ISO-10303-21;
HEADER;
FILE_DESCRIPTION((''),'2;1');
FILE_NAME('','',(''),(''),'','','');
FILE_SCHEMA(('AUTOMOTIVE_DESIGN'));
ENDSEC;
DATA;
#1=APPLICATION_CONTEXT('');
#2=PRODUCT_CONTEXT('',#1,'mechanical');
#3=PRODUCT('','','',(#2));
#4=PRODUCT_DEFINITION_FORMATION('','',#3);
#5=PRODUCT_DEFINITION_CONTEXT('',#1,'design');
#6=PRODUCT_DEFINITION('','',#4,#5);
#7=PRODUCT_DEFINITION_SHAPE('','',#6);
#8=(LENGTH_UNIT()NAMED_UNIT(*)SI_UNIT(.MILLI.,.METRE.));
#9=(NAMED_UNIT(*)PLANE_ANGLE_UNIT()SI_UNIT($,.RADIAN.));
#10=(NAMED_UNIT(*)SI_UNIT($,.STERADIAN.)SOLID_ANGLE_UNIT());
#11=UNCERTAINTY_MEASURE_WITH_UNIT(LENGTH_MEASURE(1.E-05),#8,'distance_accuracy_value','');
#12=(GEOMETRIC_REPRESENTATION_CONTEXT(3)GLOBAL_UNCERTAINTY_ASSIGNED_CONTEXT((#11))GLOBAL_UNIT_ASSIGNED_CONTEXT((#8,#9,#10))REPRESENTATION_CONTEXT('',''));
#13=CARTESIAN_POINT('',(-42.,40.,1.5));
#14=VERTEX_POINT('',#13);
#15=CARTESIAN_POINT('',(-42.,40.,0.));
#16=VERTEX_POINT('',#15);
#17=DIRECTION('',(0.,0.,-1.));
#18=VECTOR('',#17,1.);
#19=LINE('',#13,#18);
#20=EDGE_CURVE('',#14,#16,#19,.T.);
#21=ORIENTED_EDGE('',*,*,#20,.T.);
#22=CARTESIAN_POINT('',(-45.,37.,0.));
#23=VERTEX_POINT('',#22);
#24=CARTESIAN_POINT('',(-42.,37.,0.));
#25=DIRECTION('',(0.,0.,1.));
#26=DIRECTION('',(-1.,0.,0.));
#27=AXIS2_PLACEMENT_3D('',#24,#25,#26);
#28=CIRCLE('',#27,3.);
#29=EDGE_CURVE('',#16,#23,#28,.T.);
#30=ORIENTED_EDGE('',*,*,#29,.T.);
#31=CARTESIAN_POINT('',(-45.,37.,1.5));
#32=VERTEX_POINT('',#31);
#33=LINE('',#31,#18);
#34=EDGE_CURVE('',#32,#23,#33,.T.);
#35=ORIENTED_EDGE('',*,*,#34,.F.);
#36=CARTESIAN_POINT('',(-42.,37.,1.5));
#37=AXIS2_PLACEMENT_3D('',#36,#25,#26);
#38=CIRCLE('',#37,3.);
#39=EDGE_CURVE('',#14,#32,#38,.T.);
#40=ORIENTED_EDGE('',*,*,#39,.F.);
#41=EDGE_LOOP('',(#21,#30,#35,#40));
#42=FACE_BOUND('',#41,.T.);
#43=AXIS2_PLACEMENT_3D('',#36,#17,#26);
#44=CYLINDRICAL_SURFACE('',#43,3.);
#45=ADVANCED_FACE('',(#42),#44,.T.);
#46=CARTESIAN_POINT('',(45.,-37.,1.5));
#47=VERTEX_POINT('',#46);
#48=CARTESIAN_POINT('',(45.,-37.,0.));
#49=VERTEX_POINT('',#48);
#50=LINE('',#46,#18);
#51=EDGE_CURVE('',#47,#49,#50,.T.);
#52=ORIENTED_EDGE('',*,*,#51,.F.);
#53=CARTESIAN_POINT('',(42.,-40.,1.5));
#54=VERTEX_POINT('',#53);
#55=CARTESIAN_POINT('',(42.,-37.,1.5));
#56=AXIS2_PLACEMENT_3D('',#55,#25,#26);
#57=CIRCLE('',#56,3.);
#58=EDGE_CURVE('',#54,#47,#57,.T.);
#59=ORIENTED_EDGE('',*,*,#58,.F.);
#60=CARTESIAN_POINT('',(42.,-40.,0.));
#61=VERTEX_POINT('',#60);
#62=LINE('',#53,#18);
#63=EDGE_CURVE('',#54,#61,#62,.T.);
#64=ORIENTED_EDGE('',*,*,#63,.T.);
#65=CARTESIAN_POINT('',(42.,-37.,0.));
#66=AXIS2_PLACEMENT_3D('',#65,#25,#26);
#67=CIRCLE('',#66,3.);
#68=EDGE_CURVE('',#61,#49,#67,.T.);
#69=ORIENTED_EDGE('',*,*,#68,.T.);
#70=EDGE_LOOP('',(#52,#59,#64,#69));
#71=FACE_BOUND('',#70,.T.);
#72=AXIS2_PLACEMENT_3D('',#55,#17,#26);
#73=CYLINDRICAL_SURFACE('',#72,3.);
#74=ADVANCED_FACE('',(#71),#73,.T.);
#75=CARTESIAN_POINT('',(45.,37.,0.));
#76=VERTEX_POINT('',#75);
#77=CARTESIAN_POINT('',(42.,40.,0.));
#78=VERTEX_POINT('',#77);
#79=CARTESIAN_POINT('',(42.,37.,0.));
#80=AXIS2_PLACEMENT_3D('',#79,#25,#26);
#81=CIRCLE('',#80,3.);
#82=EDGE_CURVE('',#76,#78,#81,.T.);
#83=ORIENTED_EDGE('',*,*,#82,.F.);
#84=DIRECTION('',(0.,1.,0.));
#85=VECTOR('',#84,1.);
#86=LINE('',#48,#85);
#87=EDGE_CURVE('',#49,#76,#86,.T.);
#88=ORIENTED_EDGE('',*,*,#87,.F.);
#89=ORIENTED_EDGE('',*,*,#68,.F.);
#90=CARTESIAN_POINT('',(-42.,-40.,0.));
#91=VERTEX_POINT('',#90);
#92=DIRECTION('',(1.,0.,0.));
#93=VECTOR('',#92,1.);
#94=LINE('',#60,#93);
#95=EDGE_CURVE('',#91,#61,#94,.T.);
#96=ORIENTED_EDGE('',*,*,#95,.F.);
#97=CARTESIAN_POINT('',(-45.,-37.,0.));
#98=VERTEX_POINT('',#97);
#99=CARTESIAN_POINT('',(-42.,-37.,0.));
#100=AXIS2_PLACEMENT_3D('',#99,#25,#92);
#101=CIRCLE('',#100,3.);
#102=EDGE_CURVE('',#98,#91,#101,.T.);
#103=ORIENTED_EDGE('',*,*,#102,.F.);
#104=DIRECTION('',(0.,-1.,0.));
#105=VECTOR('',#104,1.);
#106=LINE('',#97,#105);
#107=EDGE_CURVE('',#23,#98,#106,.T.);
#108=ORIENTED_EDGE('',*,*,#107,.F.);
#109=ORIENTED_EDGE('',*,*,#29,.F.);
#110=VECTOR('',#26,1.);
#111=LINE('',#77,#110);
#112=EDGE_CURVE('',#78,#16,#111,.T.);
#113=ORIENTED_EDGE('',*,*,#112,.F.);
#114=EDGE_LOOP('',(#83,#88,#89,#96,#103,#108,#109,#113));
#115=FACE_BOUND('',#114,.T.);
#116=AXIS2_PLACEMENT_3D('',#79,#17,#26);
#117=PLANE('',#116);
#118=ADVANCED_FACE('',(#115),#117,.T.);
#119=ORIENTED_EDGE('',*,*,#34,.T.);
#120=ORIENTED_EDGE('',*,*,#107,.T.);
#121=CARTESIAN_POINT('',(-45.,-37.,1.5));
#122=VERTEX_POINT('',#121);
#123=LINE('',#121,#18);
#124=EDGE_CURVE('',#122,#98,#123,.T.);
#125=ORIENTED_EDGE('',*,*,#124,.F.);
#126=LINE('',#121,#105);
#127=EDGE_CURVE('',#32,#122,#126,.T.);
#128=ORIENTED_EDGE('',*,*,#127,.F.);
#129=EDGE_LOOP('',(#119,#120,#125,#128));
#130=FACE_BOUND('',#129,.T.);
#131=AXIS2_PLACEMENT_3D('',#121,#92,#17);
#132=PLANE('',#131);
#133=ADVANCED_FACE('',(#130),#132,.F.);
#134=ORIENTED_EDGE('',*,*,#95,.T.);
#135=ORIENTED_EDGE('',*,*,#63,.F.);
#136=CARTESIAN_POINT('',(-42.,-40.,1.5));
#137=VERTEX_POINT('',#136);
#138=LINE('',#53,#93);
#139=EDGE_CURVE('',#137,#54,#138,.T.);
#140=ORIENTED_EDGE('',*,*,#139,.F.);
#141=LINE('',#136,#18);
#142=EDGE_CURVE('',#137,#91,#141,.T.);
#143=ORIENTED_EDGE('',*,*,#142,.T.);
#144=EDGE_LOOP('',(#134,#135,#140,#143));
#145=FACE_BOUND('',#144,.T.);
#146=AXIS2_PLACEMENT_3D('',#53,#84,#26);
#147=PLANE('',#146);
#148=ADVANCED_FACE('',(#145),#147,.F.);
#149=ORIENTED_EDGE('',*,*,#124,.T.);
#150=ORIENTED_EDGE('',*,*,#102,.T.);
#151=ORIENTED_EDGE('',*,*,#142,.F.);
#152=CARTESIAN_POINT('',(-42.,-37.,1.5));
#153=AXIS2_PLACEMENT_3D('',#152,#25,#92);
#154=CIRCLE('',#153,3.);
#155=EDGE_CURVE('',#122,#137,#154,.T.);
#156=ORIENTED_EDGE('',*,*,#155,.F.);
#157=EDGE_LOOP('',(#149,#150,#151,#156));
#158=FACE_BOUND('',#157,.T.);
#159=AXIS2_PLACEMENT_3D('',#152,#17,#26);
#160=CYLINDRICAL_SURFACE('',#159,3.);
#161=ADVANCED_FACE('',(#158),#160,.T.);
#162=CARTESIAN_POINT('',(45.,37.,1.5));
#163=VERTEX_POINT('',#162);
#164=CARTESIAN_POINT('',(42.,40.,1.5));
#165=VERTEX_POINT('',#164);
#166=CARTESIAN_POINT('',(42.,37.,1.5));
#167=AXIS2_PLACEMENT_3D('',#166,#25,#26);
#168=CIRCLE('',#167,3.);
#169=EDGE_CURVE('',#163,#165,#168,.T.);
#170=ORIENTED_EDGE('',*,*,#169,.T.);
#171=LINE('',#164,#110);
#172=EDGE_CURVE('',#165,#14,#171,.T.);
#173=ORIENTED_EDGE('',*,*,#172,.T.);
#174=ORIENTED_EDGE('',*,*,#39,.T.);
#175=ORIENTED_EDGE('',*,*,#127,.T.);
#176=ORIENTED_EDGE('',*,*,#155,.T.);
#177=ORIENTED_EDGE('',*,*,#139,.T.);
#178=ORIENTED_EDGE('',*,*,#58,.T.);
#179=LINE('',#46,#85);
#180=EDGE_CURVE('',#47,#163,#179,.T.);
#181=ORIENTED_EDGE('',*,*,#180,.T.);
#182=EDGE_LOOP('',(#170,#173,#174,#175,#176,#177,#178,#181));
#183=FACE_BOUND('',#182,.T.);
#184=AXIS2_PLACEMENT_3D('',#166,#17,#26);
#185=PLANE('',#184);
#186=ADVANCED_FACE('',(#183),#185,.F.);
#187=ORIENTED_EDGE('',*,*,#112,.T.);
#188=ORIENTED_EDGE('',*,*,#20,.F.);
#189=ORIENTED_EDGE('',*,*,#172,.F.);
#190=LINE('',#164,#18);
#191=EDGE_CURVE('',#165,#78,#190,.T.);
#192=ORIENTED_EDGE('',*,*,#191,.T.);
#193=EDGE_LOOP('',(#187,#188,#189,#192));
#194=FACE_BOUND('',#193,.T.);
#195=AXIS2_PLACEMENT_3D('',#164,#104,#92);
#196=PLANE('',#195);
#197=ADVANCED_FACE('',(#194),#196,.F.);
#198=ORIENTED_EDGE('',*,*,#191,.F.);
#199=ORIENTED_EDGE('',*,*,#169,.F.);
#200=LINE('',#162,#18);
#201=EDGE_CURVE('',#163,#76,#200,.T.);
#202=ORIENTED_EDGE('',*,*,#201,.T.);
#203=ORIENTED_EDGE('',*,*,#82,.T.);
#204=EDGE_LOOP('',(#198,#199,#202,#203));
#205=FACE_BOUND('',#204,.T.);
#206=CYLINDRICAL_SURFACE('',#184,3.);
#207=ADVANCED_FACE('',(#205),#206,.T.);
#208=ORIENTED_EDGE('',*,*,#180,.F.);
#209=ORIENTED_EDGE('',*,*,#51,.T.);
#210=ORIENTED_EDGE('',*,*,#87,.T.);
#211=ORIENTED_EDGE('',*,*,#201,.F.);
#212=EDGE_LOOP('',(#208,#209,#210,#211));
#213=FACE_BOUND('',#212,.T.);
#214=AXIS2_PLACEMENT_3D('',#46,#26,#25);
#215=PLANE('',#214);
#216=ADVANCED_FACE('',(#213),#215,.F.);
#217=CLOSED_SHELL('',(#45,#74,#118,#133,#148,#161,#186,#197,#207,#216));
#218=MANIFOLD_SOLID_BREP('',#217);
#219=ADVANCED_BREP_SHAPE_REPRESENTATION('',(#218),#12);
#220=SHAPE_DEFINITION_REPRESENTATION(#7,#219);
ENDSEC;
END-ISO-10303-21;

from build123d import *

# Parameters (mm, degrees)
EXTRUDE_1_DEPTH = 1.5


with BuildPart() as part:
    # 草图1 → 凸台-拉伸1 (new body)
    with BuildSketch(Plane.XY):
        with BuildLine():
            Line((42, -40), (-42, -40))
            ThreePointArc((-42, -40), (-44.121320344, -39.121320344), (-45, -37))
            Line((-45, -37), (-45, 37))
            ThreePointArc((-45, 37), (-44.121320344, 39.121320344), (-42, 40))
            Line((-42, 40), (42, 40))
            ThreePointArc((42, 40), (44.121320344, 39.121320344), (45, 37))
            Line((45, 37), (45, -37))
            ThreePointArc((45, -37), (44.121320344, -39.121320344), (42, -40))
        make_face()
    extrude(amount=EXTRUDE_1_DEPTH)


solid = part.part
